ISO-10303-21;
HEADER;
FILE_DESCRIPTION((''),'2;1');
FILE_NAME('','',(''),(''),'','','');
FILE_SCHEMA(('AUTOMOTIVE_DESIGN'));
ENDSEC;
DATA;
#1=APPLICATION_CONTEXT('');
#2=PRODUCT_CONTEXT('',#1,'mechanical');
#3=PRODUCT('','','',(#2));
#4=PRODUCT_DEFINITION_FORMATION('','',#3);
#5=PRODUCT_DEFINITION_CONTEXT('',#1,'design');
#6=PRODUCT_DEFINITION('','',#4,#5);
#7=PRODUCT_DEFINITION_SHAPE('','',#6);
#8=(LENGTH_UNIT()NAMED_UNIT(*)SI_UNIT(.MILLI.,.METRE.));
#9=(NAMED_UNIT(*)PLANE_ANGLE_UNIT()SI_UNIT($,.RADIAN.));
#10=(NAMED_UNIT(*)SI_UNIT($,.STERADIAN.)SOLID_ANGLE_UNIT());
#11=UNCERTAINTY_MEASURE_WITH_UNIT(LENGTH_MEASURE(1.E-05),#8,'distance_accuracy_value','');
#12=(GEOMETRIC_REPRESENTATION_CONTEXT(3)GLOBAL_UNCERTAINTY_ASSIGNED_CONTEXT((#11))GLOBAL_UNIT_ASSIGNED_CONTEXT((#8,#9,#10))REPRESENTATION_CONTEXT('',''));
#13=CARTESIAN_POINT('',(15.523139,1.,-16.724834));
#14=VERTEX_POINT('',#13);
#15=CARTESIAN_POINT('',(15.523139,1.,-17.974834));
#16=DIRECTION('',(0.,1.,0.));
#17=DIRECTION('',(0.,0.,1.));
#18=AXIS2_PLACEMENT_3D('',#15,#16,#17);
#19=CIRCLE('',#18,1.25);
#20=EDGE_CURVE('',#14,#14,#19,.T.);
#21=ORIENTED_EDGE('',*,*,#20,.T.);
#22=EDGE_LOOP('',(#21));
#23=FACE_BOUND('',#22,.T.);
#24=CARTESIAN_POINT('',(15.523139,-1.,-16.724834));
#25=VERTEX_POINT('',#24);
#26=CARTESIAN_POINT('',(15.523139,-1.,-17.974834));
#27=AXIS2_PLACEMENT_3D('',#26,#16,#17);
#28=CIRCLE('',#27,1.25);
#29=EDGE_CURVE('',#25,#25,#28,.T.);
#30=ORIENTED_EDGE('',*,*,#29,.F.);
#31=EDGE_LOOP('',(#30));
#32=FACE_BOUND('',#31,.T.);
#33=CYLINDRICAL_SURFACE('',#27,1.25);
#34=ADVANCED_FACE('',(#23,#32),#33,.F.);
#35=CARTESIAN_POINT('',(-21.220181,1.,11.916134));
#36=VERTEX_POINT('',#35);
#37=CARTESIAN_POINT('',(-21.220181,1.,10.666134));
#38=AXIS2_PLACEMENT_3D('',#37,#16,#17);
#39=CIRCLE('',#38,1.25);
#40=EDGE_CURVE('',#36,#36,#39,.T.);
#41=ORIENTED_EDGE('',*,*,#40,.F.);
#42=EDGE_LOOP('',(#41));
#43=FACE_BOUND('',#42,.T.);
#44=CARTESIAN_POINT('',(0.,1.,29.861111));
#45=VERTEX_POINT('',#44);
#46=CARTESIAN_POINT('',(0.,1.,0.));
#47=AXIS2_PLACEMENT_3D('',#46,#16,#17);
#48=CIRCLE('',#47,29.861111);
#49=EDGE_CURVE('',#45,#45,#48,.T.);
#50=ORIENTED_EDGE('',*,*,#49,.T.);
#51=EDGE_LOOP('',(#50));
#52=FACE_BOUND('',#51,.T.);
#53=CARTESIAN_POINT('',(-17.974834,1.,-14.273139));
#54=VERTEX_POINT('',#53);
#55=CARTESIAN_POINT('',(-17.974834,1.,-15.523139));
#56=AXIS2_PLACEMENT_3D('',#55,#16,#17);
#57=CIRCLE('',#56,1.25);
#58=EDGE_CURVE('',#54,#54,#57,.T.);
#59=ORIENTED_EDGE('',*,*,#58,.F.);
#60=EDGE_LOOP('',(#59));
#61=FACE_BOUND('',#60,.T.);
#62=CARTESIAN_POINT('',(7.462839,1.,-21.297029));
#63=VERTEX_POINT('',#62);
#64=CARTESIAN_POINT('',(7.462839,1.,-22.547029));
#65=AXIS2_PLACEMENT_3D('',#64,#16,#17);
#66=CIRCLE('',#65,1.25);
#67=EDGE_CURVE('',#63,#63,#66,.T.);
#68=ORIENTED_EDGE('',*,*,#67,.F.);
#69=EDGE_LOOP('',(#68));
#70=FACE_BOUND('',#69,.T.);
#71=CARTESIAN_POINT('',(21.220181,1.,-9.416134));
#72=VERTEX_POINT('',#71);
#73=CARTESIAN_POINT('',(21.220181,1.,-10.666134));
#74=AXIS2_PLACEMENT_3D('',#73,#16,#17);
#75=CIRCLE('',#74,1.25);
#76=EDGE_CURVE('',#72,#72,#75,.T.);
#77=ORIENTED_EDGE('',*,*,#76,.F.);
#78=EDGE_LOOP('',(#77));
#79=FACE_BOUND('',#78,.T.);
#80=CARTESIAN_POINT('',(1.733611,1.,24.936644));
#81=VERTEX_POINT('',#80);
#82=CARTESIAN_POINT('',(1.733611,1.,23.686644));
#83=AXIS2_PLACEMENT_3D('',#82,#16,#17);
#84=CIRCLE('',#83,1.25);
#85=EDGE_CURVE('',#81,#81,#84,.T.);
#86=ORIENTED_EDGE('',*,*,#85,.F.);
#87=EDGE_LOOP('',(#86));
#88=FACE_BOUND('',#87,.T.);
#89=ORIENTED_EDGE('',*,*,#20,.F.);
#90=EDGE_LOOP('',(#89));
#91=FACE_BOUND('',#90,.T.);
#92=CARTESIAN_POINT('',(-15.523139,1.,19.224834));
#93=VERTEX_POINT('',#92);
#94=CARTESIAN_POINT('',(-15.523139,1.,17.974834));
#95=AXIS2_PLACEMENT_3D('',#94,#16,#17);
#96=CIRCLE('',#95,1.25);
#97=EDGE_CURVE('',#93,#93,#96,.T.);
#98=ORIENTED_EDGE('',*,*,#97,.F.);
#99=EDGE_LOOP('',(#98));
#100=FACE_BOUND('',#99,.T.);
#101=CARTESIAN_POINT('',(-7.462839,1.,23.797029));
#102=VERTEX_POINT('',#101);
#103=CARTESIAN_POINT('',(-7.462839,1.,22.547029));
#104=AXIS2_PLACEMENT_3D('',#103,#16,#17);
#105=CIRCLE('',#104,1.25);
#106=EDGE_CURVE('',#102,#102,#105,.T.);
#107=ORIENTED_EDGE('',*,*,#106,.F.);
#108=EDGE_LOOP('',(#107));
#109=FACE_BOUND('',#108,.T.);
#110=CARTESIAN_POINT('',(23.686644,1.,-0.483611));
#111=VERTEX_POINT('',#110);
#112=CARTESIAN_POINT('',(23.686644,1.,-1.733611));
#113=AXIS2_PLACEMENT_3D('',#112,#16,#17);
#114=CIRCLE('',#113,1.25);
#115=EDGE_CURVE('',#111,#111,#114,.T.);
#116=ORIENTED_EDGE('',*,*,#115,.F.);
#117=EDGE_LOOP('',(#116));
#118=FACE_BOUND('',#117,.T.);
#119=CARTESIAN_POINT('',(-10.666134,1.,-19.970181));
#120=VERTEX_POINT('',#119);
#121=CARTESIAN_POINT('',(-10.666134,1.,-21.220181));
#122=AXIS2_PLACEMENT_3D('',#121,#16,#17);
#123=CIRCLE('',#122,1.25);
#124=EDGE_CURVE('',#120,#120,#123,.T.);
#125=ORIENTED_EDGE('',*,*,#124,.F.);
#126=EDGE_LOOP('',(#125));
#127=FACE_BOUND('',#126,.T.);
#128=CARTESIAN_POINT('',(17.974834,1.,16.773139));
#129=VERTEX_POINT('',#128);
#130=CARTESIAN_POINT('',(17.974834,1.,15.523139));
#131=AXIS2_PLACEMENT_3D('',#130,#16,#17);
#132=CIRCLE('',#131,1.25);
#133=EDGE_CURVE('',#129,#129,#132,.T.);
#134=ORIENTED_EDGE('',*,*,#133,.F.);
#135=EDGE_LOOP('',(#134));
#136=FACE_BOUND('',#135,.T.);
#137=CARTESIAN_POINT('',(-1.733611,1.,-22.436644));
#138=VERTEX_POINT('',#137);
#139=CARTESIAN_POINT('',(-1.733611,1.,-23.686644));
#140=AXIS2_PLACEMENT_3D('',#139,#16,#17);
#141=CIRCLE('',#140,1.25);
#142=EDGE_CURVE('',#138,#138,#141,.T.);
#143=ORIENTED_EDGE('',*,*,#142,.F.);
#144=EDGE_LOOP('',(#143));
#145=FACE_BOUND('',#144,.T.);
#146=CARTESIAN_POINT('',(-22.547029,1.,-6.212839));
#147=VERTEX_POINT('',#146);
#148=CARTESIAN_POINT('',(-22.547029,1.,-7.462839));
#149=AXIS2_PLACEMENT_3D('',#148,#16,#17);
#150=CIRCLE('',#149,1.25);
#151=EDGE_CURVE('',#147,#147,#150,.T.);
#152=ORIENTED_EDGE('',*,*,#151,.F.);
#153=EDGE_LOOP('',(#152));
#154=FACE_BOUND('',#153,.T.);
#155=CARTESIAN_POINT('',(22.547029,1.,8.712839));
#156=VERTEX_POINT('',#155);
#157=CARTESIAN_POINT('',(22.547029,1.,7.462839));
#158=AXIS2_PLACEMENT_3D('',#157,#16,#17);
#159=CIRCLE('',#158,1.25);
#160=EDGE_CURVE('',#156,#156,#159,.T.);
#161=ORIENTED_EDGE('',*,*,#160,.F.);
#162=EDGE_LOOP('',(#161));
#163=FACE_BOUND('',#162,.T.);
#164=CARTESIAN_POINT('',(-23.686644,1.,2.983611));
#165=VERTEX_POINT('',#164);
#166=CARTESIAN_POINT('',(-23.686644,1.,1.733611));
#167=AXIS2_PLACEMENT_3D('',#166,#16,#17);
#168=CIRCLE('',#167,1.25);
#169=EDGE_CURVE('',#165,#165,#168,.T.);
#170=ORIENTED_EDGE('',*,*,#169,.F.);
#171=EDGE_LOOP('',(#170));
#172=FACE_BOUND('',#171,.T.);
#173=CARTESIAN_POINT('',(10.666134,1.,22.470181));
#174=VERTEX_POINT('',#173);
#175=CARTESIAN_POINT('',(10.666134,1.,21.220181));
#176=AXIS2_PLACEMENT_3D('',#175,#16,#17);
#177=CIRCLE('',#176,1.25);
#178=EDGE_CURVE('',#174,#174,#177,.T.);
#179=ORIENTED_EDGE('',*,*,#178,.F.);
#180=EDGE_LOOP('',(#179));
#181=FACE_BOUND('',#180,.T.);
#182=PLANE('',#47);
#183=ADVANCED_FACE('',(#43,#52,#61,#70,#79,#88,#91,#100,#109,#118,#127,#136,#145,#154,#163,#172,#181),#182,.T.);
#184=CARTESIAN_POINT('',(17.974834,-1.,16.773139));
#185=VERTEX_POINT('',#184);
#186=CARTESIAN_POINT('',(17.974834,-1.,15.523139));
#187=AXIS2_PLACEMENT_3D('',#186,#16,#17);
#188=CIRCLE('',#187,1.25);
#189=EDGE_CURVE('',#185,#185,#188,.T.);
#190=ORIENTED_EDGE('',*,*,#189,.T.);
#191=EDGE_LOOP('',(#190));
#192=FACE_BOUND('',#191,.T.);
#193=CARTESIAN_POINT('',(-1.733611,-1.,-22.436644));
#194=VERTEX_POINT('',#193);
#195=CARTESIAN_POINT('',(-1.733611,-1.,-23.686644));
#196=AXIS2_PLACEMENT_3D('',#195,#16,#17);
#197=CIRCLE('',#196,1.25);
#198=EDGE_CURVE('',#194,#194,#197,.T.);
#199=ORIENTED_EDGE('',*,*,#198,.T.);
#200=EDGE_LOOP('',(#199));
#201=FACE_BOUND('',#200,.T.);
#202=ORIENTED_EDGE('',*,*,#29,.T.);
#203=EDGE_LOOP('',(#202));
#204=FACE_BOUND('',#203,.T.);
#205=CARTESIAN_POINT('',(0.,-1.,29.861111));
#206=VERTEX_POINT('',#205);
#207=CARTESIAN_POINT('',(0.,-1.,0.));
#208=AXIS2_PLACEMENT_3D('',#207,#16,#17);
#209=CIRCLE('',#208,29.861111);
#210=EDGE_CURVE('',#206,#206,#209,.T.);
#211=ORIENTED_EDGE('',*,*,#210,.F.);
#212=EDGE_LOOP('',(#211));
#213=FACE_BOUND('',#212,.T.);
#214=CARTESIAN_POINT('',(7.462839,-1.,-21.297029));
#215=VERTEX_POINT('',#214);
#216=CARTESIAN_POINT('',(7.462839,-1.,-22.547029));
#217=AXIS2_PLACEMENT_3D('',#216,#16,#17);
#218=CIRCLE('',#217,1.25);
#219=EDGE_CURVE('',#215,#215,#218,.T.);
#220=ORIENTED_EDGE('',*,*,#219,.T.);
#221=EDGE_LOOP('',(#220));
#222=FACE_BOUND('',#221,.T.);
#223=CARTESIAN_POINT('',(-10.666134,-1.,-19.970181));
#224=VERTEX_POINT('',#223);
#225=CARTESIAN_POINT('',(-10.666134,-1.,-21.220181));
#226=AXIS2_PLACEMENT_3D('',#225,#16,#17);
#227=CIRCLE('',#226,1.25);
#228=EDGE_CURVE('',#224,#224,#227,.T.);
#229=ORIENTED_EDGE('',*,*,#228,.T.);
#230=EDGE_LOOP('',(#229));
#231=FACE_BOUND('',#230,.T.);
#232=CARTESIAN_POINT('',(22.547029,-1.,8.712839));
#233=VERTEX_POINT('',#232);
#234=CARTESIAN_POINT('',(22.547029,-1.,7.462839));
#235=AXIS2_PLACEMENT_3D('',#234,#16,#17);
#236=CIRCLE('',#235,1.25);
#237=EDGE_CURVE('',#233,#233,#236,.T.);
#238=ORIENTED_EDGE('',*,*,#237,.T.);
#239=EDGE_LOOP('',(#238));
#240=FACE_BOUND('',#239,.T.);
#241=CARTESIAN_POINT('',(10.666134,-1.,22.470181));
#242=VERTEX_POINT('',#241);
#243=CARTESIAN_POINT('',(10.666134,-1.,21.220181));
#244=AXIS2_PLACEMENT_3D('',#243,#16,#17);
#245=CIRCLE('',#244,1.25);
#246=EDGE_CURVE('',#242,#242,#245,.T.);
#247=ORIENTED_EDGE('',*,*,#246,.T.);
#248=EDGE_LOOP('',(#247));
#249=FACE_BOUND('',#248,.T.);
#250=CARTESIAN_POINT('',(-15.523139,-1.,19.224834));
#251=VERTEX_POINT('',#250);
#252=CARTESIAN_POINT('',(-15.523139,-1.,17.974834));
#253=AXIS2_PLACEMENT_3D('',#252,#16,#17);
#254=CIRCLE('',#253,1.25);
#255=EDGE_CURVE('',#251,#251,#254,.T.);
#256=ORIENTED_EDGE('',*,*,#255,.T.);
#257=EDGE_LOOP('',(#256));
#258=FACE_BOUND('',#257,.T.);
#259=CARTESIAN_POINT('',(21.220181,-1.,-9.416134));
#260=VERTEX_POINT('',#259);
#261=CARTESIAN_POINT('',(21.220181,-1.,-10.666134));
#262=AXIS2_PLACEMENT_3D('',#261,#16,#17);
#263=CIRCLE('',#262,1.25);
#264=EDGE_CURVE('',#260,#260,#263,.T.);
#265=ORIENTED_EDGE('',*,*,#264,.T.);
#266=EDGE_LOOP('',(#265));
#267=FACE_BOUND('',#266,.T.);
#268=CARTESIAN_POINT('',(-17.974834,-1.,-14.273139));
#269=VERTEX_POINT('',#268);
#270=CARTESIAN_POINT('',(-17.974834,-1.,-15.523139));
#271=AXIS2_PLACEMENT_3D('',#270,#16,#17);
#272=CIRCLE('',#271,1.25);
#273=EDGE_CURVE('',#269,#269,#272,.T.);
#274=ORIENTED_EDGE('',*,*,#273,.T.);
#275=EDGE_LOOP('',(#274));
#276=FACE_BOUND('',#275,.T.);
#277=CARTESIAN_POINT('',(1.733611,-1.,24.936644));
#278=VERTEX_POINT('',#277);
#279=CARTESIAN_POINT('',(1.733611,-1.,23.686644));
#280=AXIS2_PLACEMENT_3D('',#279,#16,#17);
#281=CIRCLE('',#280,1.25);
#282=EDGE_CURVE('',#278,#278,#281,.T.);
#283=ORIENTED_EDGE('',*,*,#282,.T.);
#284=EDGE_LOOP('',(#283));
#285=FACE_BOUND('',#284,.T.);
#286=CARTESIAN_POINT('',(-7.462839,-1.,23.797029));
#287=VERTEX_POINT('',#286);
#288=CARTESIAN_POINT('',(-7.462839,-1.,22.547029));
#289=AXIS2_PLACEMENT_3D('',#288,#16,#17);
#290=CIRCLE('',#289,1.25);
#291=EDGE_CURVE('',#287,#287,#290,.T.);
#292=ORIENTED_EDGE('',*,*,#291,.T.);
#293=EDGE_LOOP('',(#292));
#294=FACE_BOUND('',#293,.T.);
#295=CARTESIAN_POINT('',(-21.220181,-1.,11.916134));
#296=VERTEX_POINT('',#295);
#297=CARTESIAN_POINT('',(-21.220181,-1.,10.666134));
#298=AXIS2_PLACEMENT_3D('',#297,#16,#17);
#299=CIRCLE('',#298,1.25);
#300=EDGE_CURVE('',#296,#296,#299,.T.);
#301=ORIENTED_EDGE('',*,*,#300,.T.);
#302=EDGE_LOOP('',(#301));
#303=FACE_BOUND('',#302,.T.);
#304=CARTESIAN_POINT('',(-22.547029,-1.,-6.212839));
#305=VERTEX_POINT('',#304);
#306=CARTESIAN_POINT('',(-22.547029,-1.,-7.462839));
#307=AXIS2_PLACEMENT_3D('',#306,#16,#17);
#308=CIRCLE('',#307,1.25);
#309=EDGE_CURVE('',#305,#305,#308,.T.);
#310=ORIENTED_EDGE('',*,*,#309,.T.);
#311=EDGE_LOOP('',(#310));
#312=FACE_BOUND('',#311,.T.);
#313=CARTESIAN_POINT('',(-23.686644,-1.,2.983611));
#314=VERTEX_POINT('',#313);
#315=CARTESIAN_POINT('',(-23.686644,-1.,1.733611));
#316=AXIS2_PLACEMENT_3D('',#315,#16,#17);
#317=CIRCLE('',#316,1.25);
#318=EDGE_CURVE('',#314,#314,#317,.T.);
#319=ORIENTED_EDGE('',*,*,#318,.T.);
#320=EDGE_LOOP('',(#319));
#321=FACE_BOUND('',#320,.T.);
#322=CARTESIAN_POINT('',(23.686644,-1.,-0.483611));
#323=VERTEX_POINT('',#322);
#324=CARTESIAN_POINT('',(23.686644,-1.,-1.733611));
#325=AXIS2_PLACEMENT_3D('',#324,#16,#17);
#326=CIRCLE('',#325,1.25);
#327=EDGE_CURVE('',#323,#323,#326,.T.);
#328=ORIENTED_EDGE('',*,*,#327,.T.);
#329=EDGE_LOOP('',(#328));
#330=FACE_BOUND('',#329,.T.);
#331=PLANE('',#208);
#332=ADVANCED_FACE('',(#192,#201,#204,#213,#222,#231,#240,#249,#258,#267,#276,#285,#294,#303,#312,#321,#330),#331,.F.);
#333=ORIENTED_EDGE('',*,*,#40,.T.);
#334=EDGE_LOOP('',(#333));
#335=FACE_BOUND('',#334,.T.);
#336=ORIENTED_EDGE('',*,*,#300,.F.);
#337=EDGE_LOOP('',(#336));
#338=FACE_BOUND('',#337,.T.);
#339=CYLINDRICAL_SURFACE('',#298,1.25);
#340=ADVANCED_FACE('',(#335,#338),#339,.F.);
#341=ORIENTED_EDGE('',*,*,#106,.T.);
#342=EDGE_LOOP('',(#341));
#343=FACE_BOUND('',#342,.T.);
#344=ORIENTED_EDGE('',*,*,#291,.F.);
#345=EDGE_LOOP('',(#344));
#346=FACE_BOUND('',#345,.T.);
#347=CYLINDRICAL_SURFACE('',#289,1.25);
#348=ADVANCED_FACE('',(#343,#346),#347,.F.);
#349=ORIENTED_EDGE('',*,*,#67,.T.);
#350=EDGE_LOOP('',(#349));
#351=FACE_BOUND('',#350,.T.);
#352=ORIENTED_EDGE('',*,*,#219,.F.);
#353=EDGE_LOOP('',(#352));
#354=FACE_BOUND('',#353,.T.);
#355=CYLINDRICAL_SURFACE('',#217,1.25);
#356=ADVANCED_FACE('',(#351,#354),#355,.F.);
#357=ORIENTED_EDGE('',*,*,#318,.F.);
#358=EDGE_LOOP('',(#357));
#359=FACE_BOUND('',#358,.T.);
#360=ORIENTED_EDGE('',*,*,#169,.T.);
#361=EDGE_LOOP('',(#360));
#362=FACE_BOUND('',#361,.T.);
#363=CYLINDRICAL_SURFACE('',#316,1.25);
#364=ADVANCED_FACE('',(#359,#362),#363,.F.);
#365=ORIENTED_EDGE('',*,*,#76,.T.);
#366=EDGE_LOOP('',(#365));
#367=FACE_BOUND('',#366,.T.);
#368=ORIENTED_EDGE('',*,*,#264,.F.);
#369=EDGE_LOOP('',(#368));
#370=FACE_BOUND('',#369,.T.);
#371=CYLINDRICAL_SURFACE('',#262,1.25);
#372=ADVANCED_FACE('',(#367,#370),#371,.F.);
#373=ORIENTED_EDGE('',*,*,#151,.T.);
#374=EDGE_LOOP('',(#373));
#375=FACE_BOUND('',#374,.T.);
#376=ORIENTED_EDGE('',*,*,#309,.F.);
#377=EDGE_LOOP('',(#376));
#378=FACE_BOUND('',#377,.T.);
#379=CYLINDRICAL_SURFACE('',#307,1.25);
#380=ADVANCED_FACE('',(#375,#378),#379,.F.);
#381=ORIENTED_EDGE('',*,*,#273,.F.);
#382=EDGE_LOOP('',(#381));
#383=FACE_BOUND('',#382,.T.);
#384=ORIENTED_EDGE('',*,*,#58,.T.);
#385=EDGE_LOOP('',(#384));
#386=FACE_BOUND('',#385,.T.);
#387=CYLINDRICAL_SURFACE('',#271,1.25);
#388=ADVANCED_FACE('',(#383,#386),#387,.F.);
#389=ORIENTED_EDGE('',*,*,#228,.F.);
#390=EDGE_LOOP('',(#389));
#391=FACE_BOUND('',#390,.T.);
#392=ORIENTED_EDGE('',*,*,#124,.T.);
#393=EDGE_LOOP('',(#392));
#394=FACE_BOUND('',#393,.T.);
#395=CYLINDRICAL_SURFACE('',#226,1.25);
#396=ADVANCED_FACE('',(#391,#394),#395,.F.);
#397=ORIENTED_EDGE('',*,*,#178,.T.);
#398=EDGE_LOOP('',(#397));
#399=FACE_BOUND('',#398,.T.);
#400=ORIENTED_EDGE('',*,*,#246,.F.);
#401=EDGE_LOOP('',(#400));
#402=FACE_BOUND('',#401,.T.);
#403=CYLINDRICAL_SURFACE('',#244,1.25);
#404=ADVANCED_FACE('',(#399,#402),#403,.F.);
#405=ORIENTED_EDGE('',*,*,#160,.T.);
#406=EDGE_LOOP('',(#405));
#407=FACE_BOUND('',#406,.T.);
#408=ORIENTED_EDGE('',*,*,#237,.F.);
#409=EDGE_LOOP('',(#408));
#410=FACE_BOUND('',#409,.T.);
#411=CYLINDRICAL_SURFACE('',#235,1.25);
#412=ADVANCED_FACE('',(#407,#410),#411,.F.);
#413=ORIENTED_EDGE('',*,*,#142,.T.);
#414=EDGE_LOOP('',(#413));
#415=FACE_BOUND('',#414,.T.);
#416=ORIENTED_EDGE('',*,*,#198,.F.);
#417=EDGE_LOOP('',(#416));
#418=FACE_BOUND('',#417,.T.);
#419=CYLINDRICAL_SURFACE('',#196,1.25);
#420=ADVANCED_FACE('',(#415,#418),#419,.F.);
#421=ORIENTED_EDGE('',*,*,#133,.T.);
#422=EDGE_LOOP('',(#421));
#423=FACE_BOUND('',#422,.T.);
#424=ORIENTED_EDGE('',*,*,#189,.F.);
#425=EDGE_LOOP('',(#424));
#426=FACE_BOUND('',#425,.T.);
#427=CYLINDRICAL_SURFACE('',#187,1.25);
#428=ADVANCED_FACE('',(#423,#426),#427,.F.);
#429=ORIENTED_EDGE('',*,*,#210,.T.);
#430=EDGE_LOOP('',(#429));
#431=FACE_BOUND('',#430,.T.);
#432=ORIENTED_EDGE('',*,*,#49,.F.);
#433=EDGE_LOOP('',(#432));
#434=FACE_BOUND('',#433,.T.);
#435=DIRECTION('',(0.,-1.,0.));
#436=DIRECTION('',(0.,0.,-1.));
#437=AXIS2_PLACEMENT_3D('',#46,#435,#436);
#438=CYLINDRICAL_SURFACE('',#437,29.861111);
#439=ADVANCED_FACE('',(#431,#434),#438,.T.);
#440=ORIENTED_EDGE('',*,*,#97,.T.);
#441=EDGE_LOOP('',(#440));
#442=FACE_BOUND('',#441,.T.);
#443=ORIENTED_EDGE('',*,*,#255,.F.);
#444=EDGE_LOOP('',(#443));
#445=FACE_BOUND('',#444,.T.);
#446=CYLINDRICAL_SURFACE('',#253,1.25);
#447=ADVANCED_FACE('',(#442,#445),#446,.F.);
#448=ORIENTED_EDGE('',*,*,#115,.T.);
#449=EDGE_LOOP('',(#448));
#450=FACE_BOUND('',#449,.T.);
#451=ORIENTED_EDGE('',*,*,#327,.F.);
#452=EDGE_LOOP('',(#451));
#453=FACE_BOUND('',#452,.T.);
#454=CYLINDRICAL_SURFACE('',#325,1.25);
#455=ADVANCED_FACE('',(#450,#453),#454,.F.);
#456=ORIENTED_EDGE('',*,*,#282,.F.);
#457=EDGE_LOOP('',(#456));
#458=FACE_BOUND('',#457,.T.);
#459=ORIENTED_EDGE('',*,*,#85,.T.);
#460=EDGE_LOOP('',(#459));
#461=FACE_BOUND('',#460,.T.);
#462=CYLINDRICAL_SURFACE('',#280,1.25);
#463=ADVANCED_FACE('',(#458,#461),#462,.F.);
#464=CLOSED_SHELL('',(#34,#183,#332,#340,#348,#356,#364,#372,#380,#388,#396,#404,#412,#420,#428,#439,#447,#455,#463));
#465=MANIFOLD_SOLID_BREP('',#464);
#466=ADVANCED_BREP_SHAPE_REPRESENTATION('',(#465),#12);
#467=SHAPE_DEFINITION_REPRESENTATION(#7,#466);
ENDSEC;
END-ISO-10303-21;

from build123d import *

# Parameters (mm, degrees)
SKETCH1_R               = 29.86111111
BOSS_EXTRUDE1_DEPTH     = 1
CUT_EXTRUDE1_DEPTH      = 43.277321503
CUT_EXTRUDE1_DEPTH_BACK = 43.277321503
SKETCH2_R               = 1.25


with BuildPart() as part:
    # Sketch1 → Boss-Extrude1 (new, symmetric)
    with BuildSketch(Plane(origin=(0, 0, 0), x_dir=(1, 0, 0), z_dir=(0, 1, 0))):
        with Locations(Location((0, 0, 0), (0, 0, 270))):
            Circle(SKETCH1_R)
    extrude(amount=BOSS_EXTRUDE1_DEPTH, both=True)

    # Sketch2 → Cut-Extrude1 (cut, two sides: drawn at the far end of the back side and taken through both)
    with BuildSketch(Plane(origin=(0, 1, 0), x_dir=(1, 0, 0), z_dir=(0, 1, 0)).offset(-CUT_EXTRUDE1_DEPTH_BACK)):
        with Locations(Location((1.733610724, -23.686643786, 0), (0, 0, 270))):
            Circle(SKETCH2_R)
        with Locations(Location((-7.46283868, -22.54702949, 0), (0, 0, 270))):
            Circle(SKETCH2_R)
        with Locations(Location((-15.523138546, -17.974834344, 0), (0, 0, 270))):
            Circle(SKETCH2_R)
        with Locations(Location((-21.220181286, -10.66613361, 0), (0, 0, 270))):
            Circle(SKETCH2_R)
        with Locations(Location((-23.686643786, -1.733610724, 0), (0, 0, 270))):
            Circle(SKETCH2_R)
        with Locations(Location((-22.54702949, 7.46283868, 0), (0, 0, 270))):
            Circle(SKETCH2_R)
        with Locations(Location((-17.974834344, 15.523138546, 0), (0, 0, 270))):
            Circle(SKETCH2_R)
        with Locations(Location((-10.66613361, 21.220181286, 0), (0, 0, 270))):
            Circle(SKETCH2_R)
        with Locations(Location((-1.733610724, 23.686643786, 0), (0, 0, 270))):
            Circle(SKETCH2_R)
        with Locations(Location((10.66613361, -21.220181286, 0), (0, 0, 270))):
            Circle(SKETCH2_R)
        with Locations(Location((17.974834344, -15.523138546, 0), (0, 0, 270))):
            Circle(SKETCH2_R)
        with Locations(Location((22.54702949, -7.46283868, 0), (0, 0, 270))):
            Circle(SKETCH2_R)
        with Locations(Location((23.686643786, 1.733610724, 0), (0, 0, 270))):
            Circle(SKETCH2_R)
        with Locations(Location((21.220181286, 10.66613361, 0), (0, 0, 270))):
            Circle(SKETCH2_R)
        with Locations(Location((15.523138546, 17.974834344, 0), (0, 0, 270))):
            Circle(SKETCH2_R)
        with Locations(Location((7.46283868, 22.54702949, 0), (0, 0, 270))):
            Circle(SKETCH2_R)
    extrude(amount=CUT_EXTRUDE1_DEPTH + CUT_EXTRUDE1_DEPTH_BACK, mode=Mode.SUBTRACT)


solid = part.part
